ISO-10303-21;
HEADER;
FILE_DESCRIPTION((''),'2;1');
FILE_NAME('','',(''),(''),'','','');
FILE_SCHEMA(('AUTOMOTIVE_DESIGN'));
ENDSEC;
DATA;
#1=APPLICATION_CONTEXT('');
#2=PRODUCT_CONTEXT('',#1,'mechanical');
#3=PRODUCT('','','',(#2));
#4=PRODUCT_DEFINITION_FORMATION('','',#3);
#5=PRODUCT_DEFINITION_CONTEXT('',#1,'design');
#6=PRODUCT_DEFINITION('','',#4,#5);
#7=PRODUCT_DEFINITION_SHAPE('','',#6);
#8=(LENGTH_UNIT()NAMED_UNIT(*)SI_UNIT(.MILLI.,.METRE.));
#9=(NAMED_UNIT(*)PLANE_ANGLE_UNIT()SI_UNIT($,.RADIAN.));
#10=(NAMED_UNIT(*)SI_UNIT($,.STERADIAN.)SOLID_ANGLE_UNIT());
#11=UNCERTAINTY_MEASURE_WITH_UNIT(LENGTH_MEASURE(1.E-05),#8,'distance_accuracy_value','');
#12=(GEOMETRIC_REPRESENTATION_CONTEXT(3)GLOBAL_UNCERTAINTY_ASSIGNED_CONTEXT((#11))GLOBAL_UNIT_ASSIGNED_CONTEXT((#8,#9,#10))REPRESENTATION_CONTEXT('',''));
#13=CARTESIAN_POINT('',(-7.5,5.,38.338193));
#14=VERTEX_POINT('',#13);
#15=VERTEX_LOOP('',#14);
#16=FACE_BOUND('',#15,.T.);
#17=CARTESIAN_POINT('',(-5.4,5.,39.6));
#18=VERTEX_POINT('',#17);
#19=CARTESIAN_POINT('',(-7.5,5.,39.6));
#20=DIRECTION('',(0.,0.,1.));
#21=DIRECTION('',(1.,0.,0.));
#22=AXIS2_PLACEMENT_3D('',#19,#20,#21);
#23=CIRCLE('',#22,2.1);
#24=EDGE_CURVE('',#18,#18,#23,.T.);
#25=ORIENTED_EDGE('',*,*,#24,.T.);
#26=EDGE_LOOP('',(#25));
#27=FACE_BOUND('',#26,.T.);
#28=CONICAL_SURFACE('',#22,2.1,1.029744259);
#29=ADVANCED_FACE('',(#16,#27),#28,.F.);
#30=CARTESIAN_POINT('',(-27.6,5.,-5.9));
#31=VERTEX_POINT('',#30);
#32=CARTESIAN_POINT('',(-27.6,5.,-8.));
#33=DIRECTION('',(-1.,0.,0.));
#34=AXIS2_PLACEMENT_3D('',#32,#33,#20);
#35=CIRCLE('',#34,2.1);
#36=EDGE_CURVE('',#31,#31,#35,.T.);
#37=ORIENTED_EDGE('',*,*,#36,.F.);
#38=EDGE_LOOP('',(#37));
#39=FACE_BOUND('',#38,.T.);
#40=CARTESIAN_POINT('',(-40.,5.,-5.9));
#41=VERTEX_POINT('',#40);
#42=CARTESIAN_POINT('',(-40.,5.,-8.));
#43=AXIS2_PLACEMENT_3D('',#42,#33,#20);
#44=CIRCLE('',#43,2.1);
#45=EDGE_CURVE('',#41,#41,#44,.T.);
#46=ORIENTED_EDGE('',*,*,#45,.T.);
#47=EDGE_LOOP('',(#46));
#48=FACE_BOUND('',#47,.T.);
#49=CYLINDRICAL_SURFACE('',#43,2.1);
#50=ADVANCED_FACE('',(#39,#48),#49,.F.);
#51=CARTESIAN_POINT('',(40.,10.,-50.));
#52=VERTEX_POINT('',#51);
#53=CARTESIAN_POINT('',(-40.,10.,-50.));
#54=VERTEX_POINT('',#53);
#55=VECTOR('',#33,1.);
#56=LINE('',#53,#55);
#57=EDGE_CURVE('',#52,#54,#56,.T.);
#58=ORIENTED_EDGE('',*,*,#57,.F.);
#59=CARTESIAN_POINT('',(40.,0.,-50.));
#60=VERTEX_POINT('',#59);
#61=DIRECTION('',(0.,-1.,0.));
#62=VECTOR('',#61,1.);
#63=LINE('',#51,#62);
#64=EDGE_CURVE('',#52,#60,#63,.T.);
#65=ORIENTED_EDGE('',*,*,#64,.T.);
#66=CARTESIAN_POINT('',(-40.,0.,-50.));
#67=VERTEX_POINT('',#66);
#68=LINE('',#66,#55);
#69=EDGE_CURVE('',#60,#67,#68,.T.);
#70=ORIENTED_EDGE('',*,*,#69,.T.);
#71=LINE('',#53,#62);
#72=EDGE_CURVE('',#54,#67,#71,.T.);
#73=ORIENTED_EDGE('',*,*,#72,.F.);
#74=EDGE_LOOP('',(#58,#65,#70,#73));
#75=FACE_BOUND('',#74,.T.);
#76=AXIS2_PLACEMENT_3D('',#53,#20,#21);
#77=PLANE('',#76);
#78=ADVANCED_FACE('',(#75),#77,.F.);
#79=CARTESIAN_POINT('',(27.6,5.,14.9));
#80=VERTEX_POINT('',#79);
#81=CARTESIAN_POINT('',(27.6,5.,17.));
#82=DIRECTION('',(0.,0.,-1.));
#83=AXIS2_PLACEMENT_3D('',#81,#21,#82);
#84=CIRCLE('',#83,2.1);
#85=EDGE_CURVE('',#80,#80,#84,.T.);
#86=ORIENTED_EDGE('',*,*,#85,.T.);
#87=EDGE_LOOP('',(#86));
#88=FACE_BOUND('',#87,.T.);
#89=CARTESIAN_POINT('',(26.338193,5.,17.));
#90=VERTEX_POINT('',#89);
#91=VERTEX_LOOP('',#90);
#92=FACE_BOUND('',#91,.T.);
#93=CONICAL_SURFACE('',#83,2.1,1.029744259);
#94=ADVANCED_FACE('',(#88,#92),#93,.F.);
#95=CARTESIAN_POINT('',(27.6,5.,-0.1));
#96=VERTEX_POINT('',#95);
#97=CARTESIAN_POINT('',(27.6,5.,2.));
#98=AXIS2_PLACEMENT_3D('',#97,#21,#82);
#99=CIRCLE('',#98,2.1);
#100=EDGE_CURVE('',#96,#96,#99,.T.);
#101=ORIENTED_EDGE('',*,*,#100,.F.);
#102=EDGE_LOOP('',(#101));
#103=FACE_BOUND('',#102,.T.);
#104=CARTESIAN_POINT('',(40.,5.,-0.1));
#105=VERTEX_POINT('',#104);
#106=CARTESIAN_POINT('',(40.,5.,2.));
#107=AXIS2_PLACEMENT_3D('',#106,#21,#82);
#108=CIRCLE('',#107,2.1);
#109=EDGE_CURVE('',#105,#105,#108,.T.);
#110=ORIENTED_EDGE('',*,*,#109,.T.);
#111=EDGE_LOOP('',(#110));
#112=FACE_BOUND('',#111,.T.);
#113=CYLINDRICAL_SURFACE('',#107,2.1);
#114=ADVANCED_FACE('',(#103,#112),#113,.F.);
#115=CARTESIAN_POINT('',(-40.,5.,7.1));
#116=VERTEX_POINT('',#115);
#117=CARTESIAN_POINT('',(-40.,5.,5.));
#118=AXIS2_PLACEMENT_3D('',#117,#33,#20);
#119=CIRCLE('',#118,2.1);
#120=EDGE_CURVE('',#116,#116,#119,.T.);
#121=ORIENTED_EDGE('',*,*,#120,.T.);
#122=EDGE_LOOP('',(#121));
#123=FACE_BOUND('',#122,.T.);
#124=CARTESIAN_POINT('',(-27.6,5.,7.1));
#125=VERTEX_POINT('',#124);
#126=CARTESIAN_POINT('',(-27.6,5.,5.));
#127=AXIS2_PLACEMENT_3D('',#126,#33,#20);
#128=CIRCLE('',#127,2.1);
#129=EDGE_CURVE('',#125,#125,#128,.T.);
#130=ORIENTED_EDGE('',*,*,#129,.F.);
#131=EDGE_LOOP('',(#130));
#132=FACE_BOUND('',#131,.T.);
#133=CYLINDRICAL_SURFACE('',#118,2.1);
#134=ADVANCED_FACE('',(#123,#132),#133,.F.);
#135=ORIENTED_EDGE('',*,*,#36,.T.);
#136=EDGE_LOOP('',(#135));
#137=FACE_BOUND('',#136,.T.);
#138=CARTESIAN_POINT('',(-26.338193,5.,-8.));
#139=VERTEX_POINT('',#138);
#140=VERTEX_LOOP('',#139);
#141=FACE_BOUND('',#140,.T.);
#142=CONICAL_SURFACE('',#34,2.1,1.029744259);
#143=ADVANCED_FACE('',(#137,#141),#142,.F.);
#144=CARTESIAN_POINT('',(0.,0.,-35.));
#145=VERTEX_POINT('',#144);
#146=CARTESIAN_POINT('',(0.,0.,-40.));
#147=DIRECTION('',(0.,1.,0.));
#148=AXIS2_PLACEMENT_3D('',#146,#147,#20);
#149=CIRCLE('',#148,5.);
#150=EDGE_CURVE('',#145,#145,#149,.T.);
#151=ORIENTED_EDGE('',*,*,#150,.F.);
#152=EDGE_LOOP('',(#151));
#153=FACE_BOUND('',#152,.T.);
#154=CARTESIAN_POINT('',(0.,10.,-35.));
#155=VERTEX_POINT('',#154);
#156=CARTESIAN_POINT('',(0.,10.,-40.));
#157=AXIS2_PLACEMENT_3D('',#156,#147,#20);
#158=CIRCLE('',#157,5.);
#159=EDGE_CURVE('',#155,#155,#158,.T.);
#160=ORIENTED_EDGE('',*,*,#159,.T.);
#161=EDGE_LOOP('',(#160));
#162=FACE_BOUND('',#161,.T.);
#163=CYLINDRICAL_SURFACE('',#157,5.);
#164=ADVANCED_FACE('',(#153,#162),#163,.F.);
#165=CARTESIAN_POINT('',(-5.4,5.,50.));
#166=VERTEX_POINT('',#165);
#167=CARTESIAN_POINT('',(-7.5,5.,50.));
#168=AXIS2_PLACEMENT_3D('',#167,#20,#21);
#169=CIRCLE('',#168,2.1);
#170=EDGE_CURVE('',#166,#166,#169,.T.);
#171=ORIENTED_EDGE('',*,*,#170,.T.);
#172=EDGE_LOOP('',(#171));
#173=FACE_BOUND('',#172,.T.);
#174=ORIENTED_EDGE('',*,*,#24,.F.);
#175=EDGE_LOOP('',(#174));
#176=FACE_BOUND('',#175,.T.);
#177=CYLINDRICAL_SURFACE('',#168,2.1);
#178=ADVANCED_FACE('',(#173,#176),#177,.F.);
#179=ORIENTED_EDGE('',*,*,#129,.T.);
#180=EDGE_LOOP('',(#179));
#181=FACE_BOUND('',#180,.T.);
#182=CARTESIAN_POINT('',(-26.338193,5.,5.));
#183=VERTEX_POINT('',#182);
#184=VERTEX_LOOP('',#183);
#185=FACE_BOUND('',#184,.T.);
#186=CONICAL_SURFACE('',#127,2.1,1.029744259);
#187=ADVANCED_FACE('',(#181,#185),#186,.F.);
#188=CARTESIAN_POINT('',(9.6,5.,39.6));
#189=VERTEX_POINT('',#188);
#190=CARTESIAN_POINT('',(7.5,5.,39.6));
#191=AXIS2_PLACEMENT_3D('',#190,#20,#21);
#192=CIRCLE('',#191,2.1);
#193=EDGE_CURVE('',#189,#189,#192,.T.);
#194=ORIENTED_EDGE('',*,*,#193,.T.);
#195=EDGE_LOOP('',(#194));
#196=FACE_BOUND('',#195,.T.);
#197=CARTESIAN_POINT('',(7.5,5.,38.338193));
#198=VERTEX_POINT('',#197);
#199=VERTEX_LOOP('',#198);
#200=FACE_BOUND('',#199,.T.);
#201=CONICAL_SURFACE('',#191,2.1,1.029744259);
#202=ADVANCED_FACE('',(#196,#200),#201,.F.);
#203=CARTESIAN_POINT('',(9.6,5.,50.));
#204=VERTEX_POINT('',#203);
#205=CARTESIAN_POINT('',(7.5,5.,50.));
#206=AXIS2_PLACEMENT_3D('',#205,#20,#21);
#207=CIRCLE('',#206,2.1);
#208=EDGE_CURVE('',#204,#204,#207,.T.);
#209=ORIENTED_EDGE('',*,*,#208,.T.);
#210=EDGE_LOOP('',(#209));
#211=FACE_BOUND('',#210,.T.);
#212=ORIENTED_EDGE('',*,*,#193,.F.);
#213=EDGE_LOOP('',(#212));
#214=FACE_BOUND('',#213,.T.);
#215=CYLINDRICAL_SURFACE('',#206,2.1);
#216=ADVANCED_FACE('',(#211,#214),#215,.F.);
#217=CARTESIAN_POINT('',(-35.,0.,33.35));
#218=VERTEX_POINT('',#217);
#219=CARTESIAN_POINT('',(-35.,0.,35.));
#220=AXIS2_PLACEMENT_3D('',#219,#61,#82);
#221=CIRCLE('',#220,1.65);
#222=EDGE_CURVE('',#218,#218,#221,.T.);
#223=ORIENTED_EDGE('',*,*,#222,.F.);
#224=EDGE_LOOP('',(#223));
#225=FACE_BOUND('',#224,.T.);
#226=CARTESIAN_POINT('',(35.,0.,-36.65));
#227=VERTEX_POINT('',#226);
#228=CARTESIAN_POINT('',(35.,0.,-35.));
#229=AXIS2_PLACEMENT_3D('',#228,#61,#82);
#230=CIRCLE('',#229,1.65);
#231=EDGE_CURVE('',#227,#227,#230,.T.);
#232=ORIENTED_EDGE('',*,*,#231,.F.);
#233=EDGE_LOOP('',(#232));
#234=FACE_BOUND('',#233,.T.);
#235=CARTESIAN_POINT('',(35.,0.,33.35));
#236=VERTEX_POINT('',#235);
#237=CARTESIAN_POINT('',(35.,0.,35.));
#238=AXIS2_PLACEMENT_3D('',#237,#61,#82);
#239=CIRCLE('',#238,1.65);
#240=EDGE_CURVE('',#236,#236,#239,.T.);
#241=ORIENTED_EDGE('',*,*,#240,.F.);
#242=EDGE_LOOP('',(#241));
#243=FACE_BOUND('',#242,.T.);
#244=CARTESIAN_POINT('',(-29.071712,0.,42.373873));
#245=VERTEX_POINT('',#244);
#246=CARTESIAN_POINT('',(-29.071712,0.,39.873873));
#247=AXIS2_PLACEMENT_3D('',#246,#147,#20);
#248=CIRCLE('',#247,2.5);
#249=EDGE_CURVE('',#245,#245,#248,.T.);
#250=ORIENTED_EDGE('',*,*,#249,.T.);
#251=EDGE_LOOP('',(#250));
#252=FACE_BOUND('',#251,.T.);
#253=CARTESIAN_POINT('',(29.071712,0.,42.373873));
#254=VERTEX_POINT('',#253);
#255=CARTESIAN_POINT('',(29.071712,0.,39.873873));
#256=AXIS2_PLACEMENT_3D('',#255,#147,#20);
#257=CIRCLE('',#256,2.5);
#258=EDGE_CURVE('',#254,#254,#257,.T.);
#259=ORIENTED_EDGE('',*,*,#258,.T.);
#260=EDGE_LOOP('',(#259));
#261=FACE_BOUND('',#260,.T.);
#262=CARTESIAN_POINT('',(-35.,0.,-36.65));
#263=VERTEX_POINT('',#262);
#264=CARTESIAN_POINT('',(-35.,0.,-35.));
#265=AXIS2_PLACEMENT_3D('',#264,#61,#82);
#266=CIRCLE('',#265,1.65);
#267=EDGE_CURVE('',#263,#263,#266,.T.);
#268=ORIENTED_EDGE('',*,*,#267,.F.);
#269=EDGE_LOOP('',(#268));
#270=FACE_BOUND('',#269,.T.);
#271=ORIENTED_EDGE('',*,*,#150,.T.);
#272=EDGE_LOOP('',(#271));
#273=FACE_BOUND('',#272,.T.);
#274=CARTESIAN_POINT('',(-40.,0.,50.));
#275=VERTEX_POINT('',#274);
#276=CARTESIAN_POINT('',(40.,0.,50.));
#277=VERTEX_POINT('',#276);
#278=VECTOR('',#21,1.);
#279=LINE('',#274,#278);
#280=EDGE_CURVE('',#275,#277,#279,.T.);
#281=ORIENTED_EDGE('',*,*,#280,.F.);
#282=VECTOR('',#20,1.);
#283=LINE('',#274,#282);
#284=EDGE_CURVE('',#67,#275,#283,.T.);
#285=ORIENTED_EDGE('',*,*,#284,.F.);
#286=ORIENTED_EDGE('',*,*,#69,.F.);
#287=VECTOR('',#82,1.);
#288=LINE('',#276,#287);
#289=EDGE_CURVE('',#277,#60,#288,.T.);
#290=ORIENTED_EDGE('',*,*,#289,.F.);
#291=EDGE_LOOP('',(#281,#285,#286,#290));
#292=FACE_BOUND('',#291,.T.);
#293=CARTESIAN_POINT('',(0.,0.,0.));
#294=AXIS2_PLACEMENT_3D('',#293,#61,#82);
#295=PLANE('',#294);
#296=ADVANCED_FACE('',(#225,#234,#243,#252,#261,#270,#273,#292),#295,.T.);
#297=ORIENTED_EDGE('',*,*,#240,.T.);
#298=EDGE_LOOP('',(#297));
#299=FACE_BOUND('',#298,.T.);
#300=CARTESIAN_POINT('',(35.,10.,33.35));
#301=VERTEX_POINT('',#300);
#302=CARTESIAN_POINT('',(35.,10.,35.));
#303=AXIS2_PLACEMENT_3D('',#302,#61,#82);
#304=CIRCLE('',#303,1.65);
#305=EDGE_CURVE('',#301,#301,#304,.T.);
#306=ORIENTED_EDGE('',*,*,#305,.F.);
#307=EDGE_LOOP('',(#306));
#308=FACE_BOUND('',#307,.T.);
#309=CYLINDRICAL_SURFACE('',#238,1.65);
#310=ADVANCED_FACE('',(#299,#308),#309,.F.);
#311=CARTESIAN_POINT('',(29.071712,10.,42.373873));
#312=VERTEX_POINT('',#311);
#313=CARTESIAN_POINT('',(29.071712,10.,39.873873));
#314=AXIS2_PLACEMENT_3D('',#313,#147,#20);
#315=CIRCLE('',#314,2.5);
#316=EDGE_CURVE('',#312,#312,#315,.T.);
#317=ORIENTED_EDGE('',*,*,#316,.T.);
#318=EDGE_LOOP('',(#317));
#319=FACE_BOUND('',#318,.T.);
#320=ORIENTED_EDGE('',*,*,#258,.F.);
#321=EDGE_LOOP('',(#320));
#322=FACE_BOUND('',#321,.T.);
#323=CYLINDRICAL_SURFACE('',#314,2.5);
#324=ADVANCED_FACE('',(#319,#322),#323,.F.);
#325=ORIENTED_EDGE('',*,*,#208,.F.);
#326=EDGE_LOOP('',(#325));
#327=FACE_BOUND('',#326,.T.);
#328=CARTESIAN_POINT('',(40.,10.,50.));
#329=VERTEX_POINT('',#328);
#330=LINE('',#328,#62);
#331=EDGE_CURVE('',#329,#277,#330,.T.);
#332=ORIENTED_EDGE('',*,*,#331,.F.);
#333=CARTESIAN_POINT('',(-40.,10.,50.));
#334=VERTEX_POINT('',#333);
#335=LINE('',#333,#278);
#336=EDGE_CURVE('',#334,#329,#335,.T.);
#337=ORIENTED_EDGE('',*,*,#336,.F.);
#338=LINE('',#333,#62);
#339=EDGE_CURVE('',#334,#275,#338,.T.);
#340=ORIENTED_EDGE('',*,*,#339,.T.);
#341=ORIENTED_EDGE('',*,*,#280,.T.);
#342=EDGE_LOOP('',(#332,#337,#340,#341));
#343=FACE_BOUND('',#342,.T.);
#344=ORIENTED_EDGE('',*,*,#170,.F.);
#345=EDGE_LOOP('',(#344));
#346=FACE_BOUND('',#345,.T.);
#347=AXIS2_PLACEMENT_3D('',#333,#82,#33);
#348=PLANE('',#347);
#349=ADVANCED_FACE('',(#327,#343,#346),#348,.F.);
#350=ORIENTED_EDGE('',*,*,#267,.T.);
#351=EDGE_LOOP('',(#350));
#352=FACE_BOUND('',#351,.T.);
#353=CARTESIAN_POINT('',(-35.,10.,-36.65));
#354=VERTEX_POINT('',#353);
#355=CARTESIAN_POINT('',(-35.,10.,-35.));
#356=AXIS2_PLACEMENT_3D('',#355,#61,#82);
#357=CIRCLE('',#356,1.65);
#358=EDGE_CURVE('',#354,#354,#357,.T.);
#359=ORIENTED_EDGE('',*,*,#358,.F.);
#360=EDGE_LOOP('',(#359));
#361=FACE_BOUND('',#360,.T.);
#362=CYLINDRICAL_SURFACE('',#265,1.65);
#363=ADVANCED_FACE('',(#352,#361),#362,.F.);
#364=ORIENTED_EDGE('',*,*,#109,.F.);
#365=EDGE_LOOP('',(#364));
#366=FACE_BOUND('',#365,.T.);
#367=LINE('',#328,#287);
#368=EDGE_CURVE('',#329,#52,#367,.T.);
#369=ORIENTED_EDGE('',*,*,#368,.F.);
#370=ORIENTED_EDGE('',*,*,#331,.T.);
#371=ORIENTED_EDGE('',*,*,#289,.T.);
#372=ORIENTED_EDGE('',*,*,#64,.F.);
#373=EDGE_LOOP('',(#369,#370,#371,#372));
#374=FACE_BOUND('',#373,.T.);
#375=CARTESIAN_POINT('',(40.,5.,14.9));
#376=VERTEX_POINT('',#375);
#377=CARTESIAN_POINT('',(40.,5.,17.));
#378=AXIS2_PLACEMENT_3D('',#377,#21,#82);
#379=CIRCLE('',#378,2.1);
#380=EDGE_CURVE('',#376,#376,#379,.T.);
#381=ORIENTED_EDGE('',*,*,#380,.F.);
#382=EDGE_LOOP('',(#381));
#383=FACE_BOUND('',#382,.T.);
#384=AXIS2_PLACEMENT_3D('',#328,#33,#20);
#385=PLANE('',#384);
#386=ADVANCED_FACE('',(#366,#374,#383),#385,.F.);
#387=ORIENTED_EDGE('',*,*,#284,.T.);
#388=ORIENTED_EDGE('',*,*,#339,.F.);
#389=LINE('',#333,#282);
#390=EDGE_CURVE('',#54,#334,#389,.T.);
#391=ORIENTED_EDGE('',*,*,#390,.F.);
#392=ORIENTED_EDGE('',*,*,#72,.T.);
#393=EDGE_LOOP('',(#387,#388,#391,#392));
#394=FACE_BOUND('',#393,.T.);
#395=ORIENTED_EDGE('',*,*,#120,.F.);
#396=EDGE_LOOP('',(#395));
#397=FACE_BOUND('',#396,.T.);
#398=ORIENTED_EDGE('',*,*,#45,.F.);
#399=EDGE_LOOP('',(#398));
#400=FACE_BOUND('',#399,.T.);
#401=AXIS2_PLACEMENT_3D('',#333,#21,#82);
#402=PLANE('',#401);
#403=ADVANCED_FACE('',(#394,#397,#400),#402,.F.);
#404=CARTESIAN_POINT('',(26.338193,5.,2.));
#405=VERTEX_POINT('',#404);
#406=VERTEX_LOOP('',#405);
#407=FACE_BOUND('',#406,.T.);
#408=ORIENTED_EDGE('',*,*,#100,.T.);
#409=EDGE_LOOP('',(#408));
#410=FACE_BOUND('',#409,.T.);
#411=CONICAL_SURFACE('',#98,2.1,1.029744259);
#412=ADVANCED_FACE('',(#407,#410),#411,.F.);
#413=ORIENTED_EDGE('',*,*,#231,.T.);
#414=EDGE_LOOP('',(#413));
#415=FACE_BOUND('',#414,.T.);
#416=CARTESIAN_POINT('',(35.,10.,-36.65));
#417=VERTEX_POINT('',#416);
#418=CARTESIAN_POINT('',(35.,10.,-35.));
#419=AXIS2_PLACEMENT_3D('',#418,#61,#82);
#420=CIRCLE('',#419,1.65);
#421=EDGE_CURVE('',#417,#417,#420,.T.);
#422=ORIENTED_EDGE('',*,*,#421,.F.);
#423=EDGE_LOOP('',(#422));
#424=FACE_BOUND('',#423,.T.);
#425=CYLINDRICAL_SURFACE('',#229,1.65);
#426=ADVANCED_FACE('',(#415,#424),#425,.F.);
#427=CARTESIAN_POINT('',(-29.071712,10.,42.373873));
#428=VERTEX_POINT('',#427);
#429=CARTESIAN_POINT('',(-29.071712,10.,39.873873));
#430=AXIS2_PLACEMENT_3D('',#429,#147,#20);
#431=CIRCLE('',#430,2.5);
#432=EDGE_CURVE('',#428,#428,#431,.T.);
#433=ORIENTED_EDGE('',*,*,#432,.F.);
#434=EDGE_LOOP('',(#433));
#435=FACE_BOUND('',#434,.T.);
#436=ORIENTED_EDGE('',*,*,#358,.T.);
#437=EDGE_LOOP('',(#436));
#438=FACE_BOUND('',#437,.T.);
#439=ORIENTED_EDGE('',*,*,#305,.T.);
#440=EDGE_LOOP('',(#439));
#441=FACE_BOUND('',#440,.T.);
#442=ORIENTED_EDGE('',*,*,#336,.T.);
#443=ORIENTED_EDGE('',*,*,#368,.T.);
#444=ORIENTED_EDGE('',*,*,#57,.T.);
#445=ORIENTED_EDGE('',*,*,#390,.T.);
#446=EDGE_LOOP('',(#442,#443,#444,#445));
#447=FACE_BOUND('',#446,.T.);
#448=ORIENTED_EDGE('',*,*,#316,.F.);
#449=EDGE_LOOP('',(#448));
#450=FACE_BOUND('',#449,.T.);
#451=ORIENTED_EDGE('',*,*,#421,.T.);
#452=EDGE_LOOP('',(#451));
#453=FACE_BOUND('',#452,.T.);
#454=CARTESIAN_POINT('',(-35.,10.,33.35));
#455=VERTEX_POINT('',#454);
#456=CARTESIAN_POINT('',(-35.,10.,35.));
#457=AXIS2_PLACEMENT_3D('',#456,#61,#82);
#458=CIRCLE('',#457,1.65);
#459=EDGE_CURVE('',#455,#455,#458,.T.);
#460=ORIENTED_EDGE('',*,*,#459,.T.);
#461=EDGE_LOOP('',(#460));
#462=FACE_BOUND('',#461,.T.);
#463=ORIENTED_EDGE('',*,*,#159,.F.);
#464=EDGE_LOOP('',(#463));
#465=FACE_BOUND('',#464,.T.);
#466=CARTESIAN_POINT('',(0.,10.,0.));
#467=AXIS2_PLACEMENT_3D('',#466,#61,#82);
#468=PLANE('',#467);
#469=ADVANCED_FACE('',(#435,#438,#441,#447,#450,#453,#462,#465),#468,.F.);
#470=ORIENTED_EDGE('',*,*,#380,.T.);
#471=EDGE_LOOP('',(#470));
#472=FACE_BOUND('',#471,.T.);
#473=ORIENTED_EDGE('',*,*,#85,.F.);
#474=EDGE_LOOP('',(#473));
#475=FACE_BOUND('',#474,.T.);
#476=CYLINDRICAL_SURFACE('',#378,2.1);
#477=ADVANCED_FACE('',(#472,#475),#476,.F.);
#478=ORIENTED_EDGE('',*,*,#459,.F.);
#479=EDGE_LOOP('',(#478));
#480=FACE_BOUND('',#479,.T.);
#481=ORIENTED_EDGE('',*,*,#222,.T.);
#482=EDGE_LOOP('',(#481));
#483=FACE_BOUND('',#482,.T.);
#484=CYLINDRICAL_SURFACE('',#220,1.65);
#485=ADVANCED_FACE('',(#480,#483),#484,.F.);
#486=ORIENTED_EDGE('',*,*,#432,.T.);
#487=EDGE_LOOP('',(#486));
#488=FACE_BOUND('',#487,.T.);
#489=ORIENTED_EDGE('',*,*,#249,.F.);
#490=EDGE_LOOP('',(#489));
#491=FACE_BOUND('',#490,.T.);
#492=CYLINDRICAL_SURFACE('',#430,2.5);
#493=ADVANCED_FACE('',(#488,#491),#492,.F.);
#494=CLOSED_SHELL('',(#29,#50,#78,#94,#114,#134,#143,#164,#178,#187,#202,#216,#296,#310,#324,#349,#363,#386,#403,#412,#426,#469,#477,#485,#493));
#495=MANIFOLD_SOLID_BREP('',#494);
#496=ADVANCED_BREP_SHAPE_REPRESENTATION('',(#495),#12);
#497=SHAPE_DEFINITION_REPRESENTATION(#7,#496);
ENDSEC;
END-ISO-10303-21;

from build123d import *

# Parameters (mm, degrees)
SKETCH_1_W             = 80
SKETCH_1_H             = 100
EXTRUDE_1_DEPTH        = 10
HOLE_WIZARD_1_D        = 10
HOLE_WIZARD_M4_1_D     = 3.3
HOLE_WIZARD_M6_1_D     = 5
HOLE_WIZARD_M5_1_D     = 4.2
HOLE_WIZARD_M5_1_DEPTH = 12.4
HOLE_WIZARD_M5_1_TIP   = 1.2618073
HOLE_WIZARD_M5_2_D     = 4.2
HOLE_WIZARD_M5_2_DEPTH = 12.4
HOLE_WIZARD_M5_2_TIP   = 1.2618073
HOLE_WIZARD_M5_3_D     = 4.2
HOLE_WIZARD_M5_3_DEPTH = 10.4
HOLE_WIZARD_M5_3_TIP   = 1.2618073


with BuildPart() as part:
    # 草图1 → 凸台-拉伸1 (new body)
    with BuildSketch(Plane(origin=(0, 0, 0), x_dir=(1, 0, 0), z_dir=(0, 1, 0))):
        Rectangle(SKETCH_1_W, SKETCH_1_H)
    extrude(amount=EXTRUDE_1_DEPTH)

    # 孔1 (through all)
    with Locations(Plane(origin=(0, 10, 0), x_dir=(1, 0, 0), z_dir=(0, 1, 0))):
        with Locations((0, 40)):
            Hole(HOLE_WIZARD_1_D / 2)

    # M4 螺纹孔1 (through all)
    with Locations(Plane(origin=(0, 0, 0), x_dir=(-1, 0, 0), z_dir=(0, -1, 0))):
        with Locations((35, -35), (-35, -35), (-35, 35), (35, 35)):
            Hole(HOLE_WIZARD_M4_1_D / 2)

    # M6 螺纹孔1 (through all)
    with Locations(Plane(origin=(0, 10, 0), x_dir=(1, 0, 0), z_dir=(0, 1, 0))):
        with Locations((-29.071712183, -39.873872767), (29.071712183, -39.873872767)):
            Hole(HOLE_WIZARD_M6_1_D / 2)

    # M5 螺纹孔1
    with Locations(Plane(origin=(40, 0, 0), x_dir=(0, 0, -1), z_dir=(1, 0, 0))):
        with Locations((-17, 5), (-2, 5)):
            Hole(HOLE_WIZARD_M5_1_D / 2, depth=HOLE_WIZARD_M5_1_DEPTH)
            with Locations((0, 0, -(HOLE_WIZARD_M5_1_DEPTH + HOLE_WIZARD_M5_1_TIP / 2))):  # 118° drill point
                Cone(0, HOLE_WIZARD_M5_1_D / 2, HOLE_WIZARD_M5_1_TIP, mode=Mode.SUBTRACT)

    # M5 螺纹孔2
    with Locations(Plane.ZY.offset(40)):
        with Locations((5, 5), (-8, 5)):
            Hole(HOLE_WIZARD_M5_2_D / 2, depth=HOLE_WIZARD_M5_2_DEPTH)
            with Locations((0, 0, -(HOLE_WIZARD_M5_2_DEPTH + HOLE_WIZARD_M5_2_TIP / 2))):  # 118° drill point
                Cone(0, HOLE_WIZARD_M5_2_D / 2, HOLE_WIZARD_M5_2_TIP, mode=Mode.SUBTRACT)

    # M5 螺纹孔3
    with Locations(Plane.XY.offset(50)):
        with Locations((-7.5, 5), (7.5, 5)):
            Hole(HOLE_WIZARD_M5_3_D / 2, depth=HOLE_WIZARD_M5_3_DEPTH)
            with Locations((0, 0, -(HOLE_WIZARD_M5_3_DEPTH + HOLE_WIZARD_M5_3_TIP / 2))):  # 118° drill point
                Cone(0, HOLE_WIZARD_M5_3_D / 2, HOLE_WIZARD_M5_3_TIP, mode=Mode.SUBTRACT)


solid = part.part
